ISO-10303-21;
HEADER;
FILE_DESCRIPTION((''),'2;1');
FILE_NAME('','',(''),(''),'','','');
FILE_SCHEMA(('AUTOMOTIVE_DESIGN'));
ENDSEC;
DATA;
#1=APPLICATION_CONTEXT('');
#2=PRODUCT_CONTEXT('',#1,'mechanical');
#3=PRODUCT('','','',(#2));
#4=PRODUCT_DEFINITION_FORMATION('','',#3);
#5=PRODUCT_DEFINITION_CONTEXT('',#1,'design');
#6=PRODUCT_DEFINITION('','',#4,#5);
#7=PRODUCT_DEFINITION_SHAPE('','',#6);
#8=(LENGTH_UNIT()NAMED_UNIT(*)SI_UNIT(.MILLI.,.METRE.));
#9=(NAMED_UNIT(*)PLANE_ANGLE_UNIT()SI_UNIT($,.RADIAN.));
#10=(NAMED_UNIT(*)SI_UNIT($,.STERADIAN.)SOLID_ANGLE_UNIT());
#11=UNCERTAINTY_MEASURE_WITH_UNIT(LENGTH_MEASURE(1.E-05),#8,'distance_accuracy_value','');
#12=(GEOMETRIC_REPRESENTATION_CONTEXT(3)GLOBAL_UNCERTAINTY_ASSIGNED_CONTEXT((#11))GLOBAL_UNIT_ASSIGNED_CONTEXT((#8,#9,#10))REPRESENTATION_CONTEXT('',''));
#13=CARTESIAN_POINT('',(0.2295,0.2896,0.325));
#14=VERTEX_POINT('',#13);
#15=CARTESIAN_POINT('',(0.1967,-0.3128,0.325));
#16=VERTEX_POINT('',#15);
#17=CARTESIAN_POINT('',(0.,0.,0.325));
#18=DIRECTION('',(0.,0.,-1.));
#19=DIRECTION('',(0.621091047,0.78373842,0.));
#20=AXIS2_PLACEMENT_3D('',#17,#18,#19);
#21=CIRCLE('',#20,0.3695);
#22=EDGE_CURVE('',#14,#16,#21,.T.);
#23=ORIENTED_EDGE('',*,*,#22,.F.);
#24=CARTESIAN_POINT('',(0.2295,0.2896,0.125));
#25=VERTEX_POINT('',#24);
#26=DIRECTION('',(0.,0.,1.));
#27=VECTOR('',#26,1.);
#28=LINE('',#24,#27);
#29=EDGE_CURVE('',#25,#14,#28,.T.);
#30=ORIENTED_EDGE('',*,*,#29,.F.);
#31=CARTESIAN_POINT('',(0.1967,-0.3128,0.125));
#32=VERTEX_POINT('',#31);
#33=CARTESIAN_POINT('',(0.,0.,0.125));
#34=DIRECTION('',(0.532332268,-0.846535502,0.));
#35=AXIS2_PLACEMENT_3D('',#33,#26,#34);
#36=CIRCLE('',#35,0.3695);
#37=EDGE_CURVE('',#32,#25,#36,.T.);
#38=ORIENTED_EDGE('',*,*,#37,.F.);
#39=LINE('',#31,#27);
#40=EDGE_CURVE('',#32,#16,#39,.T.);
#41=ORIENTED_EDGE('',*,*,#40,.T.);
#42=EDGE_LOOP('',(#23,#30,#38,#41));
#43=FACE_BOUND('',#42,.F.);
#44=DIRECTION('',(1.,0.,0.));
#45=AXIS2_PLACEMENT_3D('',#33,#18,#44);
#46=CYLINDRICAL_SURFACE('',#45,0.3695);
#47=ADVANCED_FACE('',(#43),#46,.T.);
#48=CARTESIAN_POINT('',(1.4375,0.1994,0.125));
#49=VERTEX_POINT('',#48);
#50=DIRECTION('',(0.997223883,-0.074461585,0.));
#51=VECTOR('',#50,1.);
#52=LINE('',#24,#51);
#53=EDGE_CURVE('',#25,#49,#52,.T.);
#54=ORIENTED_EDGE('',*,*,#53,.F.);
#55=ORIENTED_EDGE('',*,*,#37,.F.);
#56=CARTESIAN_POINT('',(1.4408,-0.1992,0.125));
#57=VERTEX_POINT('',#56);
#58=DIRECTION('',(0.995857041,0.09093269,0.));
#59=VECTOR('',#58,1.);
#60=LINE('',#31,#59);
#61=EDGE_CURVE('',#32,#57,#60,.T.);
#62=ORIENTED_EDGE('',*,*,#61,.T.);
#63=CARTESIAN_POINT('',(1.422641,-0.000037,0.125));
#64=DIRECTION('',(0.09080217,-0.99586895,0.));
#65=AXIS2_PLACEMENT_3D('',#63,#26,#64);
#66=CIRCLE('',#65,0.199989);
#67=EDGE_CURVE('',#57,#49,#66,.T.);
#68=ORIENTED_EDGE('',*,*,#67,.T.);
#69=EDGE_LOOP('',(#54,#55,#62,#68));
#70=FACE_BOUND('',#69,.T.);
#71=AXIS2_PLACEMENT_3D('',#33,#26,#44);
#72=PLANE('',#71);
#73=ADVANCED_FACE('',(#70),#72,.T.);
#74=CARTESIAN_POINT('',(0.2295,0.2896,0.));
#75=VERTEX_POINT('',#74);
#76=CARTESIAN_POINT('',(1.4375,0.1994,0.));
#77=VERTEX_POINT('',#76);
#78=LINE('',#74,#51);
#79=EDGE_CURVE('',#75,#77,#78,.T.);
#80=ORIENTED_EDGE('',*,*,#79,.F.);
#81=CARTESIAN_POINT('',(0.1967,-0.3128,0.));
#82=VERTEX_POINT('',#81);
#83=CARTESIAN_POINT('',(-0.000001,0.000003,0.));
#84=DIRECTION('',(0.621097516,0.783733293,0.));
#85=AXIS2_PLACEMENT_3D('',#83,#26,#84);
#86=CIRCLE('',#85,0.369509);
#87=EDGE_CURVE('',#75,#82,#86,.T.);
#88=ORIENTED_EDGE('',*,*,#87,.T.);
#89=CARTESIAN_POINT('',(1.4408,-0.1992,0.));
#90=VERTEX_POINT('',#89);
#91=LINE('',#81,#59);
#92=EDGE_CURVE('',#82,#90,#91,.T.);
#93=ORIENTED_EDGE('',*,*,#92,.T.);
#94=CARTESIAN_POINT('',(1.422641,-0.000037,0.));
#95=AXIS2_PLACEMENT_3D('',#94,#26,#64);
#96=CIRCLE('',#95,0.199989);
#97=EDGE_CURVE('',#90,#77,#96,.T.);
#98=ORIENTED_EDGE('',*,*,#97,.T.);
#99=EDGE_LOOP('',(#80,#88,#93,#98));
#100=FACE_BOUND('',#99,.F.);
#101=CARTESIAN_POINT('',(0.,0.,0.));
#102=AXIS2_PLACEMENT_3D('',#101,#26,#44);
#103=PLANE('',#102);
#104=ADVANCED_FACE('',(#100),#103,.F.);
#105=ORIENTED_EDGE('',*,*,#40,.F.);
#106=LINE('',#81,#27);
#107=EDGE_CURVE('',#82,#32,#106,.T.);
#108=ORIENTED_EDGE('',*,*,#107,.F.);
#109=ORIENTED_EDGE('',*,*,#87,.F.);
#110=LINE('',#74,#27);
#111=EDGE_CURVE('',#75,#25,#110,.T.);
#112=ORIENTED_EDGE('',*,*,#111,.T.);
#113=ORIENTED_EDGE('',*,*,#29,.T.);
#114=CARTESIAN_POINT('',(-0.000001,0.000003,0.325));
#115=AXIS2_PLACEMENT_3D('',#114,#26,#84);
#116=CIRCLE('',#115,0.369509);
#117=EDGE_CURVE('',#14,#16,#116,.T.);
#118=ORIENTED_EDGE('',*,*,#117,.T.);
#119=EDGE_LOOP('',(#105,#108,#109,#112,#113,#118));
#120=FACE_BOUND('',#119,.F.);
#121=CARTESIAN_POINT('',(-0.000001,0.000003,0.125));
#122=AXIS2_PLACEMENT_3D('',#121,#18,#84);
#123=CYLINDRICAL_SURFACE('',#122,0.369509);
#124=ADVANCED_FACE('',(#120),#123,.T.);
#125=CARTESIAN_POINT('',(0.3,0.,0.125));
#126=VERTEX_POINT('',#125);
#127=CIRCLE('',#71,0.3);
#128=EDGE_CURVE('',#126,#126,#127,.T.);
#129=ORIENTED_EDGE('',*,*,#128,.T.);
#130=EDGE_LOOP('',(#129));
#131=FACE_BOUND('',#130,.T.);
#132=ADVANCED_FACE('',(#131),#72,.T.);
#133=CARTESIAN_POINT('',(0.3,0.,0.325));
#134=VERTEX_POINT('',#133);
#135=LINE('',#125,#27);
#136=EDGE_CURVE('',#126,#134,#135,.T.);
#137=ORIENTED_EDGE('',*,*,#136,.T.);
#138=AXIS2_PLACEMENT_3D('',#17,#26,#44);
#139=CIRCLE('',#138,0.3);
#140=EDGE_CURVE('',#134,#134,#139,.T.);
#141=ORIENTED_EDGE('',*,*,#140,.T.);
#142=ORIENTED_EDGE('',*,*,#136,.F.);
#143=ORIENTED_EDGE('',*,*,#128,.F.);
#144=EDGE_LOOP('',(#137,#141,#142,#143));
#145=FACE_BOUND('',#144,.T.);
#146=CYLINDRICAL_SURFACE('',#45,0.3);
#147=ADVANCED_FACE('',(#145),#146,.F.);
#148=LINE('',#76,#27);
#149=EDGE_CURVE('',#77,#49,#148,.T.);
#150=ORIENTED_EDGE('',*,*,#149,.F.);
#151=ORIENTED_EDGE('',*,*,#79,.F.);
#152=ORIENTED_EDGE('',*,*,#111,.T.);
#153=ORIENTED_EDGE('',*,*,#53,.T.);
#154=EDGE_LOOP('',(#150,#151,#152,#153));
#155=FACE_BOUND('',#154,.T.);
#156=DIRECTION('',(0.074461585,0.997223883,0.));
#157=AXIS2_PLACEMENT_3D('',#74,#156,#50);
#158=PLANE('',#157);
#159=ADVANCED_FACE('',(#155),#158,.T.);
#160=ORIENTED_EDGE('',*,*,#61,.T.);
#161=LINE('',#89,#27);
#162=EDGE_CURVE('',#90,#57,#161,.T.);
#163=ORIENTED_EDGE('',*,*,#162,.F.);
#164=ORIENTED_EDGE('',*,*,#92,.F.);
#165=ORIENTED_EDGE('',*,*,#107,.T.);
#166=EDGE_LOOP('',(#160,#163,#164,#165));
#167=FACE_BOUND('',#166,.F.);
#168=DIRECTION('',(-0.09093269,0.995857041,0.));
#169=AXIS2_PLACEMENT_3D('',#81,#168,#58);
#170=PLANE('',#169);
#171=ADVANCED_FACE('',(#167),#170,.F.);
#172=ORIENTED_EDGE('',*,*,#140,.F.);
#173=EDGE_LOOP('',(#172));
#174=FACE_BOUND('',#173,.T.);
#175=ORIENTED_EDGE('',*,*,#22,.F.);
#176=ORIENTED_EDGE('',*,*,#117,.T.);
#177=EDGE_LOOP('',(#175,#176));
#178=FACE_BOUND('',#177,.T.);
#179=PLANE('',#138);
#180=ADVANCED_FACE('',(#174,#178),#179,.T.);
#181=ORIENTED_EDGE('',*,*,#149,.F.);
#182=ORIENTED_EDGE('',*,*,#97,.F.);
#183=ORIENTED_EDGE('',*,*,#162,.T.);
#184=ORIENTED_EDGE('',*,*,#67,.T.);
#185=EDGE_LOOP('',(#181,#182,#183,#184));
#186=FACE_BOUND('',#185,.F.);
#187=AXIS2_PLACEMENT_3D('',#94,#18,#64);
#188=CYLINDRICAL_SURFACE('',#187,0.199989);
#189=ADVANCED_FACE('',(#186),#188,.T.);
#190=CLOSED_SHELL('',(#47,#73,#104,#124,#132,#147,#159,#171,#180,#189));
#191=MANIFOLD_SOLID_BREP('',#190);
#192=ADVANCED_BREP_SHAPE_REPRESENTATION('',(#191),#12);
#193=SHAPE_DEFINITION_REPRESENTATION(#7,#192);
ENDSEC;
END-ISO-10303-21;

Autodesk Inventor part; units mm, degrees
ref_plane "YZ Plane" through (0, 0, 0) normal (1, 0, 0) x (0, 1, 0)
ref_plane "XZ Plane" through (0, 0, 0) normal (0, 1, 0) x (-1, 0, 0)
ref_plane "XY Plane" through (0, 0, 0) normal (0, 0, 1) x (1, 0, 0)
sketch "Boceto1" plane through (0, 0, 0) normal (0, 0, 1) x (1, 0, 0)
  arc A0 (0.2295, 0.2896) -> (0.1967, -0.3128) centre (0, 0) ccw
  arc A1 (1.4408, -0.1992) -> (1.4375, 0.1994) centre (1.4226, 0) ccw
  line L0 (0.2295, 0.2896) -> (1.4375, 0.1994)
  line L1 (0.1967, -0.3128) -> (1.4408, -0.1992)
  circle A2 centre (0, 0) radius 0.3
extrude "Extrusión1" add sketch "Boceto1" along normal blind 0.125 contours L0 A1 L1 A0 | A2
sketch "Boceto2" plane through (0, 0, 0.125) normal (0, 0, 1) x (1, 0, 0)
  arc A0 (0.2295, 0.2896) -> (0.1967, -0.3128) centre (0, 0) ccw
  arc A1 (1.4408, -0.1992) -> (1.4375, 0.1994) centre (1.4226, 0) ccw
  line L0 (0.2295, 0.2896) -> (1.4375, 0.1994)
  line L1 (0.1967, -0.3128) -> (1.4408, -0.1992)
  circle A2 centre (0, 0) radius 0.3
  circle A3 centre (0, 0) radius 0.3695
extrude "Extrusión2" add sketch "Boceto2" along normal blind 0.2 contours A3 A0
properties part number "learnbotBrazoServo"
